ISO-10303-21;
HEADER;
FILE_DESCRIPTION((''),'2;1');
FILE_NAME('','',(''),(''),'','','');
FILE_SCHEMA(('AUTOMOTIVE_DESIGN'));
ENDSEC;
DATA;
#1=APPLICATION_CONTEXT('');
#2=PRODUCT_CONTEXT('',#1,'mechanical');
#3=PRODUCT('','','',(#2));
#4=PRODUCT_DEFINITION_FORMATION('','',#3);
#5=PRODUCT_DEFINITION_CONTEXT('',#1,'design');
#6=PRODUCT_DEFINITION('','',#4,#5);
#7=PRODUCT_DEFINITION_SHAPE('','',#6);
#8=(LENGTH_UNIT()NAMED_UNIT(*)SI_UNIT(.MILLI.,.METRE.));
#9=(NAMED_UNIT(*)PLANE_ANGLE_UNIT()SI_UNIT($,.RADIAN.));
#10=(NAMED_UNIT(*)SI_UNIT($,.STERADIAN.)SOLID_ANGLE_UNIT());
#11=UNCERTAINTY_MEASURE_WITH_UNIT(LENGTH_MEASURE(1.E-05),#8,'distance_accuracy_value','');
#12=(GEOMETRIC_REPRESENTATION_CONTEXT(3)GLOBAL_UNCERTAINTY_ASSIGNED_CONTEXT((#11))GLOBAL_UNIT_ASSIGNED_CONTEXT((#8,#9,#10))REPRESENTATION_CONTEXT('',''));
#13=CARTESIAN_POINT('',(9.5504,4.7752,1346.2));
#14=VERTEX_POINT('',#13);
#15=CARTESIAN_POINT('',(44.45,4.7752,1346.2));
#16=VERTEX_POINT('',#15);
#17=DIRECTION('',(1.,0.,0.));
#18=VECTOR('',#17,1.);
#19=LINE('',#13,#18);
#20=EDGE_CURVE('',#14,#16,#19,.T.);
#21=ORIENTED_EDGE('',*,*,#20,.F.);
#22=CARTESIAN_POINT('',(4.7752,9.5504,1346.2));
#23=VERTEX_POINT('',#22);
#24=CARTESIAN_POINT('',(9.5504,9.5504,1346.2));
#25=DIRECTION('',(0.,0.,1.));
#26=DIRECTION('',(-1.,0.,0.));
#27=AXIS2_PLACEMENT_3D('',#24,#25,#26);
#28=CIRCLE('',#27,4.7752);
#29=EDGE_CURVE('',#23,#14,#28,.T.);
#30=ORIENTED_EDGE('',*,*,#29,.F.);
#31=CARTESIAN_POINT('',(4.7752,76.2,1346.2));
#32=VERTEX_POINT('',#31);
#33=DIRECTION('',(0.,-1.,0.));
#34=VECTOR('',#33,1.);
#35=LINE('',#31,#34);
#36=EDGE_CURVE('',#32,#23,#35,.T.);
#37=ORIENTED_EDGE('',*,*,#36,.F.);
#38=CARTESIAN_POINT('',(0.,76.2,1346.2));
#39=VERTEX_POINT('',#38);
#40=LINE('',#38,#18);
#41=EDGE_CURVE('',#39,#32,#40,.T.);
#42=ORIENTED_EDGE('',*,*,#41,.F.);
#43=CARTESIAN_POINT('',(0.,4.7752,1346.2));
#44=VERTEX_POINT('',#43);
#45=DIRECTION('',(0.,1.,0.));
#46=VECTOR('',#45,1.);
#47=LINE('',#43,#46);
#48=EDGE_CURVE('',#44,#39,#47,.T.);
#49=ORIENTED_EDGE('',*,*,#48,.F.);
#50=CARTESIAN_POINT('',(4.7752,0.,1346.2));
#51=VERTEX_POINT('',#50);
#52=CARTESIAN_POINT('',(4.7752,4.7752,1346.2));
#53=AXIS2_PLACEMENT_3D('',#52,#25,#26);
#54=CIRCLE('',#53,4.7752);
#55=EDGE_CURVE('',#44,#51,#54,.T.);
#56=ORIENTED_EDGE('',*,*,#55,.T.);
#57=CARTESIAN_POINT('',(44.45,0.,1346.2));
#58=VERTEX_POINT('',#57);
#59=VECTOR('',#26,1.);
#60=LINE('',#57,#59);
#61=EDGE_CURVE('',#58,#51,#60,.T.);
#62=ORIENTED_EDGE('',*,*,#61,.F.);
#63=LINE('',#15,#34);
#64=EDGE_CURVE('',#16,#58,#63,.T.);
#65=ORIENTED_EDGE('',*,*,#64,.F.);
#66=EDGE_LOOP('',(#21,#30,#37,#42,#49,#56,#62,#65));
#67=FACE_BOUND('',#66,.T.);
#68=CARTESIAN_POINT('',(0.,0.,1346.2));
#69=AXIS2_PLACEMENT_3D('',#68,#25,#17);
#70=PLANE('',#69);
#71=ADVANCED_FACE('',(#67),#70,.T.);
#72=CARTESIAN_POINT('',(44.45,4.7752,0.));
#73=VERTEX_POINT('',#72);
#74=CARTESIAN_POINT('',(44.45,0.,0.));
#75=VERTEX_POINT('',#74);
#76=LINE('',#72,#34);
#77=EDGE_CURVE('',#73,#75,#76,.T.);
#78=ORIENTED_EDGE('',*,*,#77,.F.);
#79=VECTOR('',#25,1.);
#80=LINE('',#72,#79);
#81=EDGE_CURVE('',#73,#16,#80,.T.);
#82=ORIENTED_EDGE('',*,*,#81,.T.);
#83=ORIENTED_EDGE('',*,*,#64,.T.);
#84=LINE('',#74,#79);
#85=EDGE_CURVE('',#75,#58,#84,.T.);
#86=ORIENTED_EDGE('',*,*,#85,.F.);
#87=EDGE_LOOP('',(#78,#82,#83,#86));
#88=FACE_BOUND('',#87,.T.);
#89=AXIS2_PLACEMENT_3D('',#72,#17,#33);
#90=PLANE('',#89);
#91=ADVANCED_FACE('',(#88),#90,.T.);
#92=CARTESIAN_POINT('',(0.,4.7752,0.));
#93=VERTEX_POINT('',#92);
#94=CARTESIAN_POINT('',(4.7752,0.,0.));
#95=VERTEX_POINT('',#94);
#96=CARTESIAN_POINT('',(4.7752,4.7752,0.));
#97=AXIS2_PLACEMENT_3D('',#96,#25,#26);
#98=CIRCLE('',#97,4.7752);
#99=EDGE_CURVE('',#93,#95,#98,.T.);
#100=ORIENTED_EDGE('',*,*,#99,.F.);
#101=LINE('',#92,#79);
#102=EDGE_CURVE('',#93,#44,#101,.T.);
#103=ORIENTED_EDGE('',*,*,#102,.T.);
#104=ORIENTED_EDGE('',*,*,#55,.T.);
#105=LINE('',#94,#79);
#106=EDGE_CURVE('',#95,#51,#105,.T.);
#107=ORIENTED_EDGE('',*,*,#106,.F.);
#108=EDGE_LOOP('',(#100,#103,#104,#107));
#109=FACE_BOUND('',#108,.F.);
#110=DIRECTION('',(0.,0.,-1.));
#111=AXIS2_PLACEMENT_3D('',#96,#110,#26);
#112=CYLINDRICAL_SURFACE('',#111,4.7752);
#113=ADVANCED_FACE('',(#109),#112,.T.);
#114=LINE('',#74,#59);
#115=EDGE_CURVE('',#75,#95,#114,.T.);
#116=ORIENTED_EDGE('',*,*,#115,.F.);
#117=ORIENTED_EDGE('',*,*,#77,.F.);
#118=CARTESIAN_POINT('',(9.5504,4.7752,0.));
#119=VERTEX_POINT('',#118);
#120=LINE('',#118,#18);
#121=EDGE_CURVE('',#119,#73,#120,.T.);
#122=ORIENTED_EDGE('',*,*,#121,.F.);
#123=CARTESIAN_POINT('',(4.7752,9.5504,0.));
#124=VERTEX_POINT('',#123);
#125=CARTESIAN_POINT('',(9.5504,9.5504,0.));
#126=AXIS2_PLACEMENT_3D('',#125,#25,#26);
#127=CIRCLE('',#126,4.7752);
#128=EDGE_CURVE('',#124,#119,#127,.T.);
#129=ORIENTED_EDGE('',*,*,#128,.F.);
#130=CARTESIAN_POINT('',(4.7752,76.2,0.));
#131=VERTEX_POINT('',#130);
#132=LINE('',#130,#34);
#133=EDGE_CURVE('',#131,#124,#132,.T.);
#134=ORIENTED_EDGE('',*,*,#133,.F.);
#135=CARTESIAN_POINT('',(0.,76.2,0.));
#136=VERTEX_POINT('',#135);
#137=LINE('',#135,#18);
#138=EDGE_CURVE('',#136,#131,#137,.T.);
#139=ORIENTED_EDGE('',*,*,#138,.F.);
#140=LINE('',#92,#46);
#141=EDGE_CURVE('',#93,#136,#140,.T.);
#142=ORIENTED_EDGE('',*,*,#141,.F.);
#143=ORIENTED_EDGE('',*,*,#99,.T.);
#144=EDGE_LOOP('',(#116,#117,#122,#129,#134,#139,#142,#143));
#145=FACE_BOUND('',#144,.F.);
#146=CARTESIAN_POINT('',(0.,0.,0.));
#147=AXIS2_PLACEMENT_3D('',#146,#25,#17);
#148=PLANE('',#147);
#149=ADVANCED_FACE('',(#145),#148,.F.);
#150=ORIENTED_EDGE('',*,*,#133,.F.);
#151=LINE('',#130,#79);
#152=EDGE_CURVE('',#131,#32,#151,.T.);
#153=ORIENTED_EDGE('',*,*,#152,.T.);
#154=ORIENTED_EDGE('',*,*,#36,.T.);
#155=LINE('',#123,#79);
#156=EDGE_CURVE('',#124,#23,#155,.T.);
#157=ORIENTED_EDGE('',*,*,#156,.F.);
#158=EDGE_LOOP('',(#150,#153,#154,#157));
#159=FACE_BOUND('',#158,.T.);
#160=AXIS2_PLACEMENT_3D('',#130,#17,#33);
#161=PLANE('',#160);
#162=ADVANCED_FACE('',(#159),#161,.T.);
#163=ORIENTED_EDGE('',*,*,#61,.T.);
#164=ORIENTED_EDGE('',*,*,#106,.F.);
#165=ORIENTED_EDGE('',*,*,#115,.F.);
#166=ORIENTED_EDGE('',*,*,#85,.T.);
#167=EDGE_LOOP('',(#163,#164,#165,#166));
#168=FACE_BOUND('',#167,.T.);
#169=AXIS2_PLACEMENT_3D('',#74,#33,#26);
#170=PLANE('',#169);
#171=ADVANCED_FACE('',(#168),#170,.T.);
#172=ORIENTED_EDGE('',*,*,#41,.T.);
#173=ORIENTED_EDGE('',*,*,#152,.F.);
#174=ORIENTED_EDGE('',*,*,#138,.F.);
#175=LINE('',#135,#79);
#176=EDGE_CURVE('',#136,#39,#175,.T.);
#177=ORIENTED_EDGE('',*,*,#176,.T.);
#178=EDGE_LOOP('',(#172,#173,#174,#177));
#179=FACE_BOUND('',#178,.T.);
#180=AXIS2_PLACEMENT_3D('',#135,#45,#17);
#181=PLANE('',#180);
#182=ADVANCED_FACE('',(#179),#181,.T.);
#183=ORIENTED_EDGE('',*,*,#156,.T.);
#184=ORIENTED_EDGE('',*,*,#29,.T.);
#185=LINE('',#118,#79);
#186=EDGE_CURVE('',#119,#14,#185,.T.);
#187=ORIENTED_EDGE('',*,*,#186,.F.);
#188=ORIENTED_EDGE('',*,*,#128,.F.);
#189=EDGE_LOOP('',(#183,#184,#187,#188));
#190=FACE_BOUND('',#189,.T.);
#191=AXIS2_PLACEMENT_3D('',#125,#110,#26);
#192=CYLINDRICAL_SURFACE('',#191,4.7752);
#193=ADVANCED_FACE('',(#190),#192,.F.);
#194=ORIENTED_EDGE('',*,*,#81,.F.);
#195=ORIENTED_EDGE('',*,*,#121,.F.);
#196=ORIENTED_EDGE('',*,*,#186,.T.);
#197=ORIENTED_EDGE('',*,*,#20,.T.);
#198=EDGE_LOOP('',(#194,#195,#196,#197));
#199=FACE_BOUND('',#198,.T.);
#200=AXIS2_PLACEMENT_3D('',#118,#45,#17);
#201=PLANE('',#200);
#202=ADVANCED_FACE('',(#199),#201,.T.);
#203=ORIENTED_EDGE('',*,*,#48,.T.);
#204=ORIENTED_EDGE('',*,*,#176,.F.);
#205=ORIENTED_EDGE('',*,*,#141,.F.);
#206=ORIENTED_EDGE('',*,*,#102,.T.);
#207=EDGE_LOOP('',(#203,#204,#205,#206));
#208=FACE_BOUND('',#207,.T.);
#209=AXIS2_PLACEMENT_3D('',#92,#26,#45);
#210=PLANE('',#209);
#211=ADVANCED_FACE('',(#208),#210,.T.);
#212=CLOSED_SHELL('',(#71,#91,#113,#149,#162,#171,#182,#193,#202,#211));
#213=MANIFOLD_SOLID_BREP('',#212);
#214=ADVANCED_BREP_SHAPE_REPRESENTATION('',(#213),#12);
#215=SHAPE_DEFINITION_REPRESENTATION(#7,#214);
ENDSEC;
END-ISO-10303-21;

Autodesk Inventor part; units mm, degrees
ref_plane "YZ Plane" through (0, 0, 0) normal (1, 0, 0) x (0, 1, 0)
ref_plane "XZ Plane" through (0, 0, 0) normal (0, 1, 0) x (-1, 0, 0)
ref_plane "XY Plane" through (0, 0, 0) normal (0, 0, 1) x (1, 0, 0)
sketch "Sketch1" plane through (0, 0, 0) normal (0, 0, 1) x (1, 0, 0)
  line L0 (0, 4.7752) -> (0, 76.2)
  line L1 (0, 76.2) -> (4.7752, 76.2)
  line L2 (4.7752, 76.2) -> (4.7752, 9.5504)
  line L3 (9.5504, 4.7752) -> (44.45, 4.7752)
  line L4 (44.45, 4.7752) -> (44.45, 0)
  line L5 (44.45, 0) -> (4.7752, 0)
  arc A0 (4.7752, 9.5504) -> (9.5504, 4.7752) centre (9.5504, 9.5504) ccw
  arc A1 (0, 4.7752) -> (4.7752, 0) centre (4.7752, 4.7752) ccw
  point P0 (0, 0)
  dimension "d0" = 4.7752
  dimension "d1" = 44.45
  dimension "d2" = 76.2
  dimension "d3" = 4.7752
extrude "Extrusion1" add sketch "Sketch1" along normal blind 1346.2
properties part number "L_Channel"
